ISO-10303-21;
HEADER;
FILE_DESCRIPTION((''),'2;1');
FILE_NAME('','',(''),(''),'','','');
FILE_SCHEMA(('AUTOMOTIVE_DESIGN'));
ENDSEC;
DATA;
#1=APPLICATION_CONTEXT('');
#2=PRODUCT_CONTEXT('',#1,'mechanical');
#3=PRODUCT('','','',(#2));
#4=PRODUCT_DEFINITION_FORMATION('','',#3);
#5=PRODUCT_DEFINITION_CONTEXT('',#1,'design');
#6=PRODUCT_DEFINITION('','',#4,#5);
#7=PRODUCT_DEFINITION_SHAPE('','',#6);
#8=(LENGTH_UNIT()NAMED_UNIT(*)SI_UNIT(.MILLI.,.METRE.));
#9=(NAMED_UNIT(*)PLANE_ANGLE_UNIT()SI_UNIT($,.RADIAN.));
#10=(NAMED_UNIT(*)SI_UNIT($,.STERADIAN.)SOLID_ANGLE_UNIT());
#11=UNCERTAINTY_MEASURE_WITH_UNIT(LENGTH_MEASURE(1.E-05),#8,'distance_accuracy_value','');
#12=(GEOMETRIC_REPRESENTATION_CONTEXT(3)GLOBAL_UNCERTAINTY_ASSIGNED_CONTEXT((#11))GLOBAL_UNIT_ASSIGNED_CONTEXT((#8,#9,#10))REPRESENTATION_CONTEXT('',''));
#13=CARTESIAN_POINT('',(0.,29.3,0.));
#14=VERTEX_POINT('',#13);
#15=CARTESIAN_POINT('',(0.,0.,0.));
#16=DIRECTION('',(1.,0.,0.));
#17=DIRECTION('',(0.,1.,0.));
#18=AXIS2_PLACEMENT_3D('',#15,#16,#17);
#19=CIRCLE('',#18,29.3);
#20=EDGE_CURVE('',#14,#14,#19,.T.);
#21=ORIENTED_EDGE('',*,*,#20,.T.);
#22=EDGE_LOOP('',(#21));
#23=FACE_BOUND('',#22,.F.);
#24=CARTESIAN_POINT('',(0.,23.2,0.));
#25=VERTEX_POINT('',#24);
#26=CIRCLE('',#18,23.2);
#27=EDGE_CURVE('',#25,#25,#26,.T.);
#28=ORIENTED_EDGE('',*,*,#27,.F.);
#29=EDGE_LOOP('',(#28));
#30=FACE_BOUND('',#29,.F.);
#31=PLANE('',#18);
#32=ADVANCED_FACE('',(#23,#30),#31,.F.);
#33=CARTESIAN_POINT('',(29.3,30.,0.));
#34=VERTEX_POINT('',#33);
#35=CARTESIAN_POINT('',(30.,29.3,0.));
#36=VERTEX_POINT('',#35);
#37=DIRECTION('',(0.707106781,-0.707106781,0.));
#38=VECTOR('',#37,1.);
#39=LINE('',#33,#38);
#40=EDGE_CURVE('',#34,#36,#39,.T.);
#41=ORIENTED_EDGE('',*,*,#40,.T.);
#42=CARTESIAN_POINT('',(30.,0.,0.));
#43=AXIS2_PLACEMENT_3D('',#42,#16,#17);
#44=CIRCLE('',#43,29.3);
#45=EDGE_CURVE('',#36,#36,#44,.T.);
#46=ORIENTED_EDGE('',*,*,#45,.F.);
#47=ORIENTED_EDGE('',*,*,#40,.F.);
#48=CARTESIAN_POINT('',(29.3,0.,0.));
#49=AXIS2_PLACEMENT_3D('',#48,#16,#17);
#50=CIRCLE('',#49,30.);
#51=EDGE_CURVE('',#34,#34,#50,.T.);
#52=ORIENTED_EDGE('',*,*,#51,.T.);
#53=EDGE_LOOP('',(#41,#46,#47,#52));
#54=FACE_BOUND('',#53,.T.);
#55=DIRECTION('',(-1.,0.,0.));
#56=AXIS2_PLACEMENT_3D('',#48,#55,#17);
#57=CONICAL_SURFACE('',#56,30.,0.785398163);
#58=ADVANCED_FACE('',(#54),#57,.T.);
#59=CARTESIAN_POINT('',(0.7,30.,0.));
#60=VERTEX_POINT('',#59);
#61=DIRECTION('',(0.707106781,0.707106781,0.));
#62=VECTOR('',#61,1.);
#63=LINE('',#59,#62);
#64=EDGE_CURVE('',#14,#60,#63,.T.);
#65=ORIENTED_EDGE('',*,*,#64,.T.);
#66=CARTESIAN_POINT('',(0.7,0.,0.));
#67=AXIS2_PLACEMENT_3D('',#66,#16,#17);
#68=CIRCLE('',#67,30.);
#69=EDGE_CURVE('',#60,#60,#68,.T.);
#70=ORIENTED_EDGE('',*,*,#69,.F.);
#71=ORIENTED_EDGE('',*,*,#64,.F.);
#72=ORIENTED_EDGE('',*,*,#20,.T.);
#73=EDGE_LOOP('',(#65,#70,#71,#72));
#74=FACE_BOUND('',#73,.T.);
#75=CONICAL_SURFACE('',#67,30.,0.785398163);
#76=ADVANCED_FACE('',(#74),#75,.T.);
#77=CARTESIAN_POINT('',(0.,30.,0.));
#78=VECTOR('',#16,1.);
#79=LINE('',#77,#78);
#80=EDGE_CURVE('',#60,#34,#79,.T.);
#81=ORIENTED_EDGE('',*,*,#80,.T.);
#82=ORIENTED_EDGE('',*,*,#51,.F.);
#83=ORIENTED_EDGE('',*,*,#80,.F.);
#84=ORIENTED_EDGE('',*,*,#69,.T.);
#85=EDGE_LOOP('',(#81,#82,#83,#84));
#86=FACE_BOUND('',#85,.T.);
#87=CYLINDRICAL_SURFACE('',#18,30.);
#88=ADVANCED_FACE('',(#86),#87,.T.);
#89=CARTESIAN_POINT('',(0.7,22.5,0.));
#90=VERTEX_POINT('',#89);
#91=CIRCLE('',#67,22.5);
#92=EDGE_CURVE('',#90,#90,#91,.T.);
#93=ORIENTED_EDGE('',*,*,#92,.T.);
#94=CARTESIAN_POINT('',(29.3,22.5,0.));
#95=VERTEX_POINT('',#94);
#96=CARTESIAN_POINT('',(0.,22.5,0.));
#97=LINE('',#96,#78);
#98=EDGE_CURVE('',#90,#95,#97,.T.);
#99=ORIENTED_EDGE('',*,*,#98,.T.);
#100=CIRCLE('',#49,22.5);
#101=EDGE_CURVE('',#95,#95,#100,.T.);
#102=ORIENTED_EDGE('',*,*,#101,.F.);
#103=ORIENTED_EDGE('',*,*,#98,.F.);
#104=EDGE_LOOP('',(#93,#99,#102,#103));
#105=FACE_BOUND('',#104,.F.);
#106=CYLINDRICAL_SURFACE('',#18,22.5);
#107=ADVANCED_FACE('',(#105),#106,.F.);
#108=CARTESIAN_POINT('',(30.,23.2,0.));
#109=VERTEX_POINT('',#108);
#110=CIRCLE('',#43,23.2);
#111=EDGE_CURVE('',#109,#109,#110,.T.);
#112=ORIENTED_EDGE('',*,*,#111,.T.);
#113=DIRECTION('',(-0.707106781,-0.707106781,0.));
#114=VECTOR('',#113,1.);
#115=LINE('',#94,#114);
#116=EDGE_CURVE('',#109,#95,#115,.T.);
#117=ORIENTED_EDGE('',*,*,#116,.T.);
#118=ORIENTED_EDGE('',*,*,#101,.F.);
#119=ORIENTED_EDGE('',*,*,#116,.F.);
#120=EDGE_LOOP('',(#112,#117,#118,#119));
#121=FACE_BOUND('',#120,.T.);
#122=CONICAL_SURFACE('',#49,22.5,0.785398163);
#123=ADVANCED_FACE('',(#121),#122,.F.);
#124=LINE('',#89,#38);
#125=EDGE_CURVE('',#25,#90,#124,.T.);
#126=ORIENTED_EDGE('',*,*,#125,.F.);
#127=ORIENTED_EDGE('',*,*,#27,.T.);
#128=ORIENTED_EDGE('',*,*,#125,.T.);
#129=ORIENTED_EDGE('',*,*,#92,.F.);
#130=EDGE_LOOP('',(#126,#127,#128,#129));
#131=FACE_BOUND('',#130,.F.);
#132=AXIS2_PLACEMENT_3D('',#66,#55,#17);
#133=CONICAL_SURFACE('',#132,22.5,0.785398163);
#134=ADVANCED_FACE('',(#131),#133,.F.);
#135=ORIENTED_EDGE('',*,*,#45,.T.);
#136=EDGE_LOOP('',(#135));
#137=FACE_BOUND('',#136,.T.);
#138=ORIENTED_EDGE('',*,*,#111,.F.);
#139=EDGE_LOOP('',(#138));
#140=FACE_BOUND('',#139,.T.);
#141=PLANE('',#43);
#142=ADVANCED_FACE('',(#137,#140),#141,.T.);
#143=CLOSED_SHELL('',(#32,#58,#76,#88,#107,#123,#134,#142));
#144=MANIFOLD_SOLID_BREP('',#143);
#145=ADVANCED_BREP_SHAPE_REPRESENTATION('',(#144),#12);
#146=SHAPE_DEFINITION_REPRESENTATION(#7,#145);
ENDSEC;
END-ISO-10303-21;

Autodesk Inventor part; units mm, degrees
ref_plane "YZ Plane" through (0, 0, 0) normal (1, 0, 0) x (0, 1, 0)
ref_plane "XZ Plane" through (0, 0, 0) normal (0, 1, 0) x (-1, 0, 0)
ref_plane "XY Plane" through (0, 0, 0) normal (0, 0, 1) x (1, 0, 0)
sketch "Эскиз1" plane through (0, 0, 0) normal (0, 0, 1) x (1, 0, 0)
  line L0 (0, 0) -> (37.7119, 0)
  line L1 (0, 22.5) -> (30, 22.5)
  line L2 (0, 30) -> (30, 30)
  line L3 (0, 30) -> (0, 22.5)
  line L4 (30, 30) -> (30, 22.5)
  dimension "d0" = 45
  dimension "d1" = 30
  dimension "d3" = 60
revolve "Вращение1" add sketch "Эскиз1" angle 360 about axis through (0, 0, 0) along (1, 0, 0)
chamfer "Фаска1" distance 0.7 angle 45 4 edges at (30, -30, 0) (30, -22.5, 0) (0, -22.5, 0) (0, -30, 0)
properties part number "Скольжение"
